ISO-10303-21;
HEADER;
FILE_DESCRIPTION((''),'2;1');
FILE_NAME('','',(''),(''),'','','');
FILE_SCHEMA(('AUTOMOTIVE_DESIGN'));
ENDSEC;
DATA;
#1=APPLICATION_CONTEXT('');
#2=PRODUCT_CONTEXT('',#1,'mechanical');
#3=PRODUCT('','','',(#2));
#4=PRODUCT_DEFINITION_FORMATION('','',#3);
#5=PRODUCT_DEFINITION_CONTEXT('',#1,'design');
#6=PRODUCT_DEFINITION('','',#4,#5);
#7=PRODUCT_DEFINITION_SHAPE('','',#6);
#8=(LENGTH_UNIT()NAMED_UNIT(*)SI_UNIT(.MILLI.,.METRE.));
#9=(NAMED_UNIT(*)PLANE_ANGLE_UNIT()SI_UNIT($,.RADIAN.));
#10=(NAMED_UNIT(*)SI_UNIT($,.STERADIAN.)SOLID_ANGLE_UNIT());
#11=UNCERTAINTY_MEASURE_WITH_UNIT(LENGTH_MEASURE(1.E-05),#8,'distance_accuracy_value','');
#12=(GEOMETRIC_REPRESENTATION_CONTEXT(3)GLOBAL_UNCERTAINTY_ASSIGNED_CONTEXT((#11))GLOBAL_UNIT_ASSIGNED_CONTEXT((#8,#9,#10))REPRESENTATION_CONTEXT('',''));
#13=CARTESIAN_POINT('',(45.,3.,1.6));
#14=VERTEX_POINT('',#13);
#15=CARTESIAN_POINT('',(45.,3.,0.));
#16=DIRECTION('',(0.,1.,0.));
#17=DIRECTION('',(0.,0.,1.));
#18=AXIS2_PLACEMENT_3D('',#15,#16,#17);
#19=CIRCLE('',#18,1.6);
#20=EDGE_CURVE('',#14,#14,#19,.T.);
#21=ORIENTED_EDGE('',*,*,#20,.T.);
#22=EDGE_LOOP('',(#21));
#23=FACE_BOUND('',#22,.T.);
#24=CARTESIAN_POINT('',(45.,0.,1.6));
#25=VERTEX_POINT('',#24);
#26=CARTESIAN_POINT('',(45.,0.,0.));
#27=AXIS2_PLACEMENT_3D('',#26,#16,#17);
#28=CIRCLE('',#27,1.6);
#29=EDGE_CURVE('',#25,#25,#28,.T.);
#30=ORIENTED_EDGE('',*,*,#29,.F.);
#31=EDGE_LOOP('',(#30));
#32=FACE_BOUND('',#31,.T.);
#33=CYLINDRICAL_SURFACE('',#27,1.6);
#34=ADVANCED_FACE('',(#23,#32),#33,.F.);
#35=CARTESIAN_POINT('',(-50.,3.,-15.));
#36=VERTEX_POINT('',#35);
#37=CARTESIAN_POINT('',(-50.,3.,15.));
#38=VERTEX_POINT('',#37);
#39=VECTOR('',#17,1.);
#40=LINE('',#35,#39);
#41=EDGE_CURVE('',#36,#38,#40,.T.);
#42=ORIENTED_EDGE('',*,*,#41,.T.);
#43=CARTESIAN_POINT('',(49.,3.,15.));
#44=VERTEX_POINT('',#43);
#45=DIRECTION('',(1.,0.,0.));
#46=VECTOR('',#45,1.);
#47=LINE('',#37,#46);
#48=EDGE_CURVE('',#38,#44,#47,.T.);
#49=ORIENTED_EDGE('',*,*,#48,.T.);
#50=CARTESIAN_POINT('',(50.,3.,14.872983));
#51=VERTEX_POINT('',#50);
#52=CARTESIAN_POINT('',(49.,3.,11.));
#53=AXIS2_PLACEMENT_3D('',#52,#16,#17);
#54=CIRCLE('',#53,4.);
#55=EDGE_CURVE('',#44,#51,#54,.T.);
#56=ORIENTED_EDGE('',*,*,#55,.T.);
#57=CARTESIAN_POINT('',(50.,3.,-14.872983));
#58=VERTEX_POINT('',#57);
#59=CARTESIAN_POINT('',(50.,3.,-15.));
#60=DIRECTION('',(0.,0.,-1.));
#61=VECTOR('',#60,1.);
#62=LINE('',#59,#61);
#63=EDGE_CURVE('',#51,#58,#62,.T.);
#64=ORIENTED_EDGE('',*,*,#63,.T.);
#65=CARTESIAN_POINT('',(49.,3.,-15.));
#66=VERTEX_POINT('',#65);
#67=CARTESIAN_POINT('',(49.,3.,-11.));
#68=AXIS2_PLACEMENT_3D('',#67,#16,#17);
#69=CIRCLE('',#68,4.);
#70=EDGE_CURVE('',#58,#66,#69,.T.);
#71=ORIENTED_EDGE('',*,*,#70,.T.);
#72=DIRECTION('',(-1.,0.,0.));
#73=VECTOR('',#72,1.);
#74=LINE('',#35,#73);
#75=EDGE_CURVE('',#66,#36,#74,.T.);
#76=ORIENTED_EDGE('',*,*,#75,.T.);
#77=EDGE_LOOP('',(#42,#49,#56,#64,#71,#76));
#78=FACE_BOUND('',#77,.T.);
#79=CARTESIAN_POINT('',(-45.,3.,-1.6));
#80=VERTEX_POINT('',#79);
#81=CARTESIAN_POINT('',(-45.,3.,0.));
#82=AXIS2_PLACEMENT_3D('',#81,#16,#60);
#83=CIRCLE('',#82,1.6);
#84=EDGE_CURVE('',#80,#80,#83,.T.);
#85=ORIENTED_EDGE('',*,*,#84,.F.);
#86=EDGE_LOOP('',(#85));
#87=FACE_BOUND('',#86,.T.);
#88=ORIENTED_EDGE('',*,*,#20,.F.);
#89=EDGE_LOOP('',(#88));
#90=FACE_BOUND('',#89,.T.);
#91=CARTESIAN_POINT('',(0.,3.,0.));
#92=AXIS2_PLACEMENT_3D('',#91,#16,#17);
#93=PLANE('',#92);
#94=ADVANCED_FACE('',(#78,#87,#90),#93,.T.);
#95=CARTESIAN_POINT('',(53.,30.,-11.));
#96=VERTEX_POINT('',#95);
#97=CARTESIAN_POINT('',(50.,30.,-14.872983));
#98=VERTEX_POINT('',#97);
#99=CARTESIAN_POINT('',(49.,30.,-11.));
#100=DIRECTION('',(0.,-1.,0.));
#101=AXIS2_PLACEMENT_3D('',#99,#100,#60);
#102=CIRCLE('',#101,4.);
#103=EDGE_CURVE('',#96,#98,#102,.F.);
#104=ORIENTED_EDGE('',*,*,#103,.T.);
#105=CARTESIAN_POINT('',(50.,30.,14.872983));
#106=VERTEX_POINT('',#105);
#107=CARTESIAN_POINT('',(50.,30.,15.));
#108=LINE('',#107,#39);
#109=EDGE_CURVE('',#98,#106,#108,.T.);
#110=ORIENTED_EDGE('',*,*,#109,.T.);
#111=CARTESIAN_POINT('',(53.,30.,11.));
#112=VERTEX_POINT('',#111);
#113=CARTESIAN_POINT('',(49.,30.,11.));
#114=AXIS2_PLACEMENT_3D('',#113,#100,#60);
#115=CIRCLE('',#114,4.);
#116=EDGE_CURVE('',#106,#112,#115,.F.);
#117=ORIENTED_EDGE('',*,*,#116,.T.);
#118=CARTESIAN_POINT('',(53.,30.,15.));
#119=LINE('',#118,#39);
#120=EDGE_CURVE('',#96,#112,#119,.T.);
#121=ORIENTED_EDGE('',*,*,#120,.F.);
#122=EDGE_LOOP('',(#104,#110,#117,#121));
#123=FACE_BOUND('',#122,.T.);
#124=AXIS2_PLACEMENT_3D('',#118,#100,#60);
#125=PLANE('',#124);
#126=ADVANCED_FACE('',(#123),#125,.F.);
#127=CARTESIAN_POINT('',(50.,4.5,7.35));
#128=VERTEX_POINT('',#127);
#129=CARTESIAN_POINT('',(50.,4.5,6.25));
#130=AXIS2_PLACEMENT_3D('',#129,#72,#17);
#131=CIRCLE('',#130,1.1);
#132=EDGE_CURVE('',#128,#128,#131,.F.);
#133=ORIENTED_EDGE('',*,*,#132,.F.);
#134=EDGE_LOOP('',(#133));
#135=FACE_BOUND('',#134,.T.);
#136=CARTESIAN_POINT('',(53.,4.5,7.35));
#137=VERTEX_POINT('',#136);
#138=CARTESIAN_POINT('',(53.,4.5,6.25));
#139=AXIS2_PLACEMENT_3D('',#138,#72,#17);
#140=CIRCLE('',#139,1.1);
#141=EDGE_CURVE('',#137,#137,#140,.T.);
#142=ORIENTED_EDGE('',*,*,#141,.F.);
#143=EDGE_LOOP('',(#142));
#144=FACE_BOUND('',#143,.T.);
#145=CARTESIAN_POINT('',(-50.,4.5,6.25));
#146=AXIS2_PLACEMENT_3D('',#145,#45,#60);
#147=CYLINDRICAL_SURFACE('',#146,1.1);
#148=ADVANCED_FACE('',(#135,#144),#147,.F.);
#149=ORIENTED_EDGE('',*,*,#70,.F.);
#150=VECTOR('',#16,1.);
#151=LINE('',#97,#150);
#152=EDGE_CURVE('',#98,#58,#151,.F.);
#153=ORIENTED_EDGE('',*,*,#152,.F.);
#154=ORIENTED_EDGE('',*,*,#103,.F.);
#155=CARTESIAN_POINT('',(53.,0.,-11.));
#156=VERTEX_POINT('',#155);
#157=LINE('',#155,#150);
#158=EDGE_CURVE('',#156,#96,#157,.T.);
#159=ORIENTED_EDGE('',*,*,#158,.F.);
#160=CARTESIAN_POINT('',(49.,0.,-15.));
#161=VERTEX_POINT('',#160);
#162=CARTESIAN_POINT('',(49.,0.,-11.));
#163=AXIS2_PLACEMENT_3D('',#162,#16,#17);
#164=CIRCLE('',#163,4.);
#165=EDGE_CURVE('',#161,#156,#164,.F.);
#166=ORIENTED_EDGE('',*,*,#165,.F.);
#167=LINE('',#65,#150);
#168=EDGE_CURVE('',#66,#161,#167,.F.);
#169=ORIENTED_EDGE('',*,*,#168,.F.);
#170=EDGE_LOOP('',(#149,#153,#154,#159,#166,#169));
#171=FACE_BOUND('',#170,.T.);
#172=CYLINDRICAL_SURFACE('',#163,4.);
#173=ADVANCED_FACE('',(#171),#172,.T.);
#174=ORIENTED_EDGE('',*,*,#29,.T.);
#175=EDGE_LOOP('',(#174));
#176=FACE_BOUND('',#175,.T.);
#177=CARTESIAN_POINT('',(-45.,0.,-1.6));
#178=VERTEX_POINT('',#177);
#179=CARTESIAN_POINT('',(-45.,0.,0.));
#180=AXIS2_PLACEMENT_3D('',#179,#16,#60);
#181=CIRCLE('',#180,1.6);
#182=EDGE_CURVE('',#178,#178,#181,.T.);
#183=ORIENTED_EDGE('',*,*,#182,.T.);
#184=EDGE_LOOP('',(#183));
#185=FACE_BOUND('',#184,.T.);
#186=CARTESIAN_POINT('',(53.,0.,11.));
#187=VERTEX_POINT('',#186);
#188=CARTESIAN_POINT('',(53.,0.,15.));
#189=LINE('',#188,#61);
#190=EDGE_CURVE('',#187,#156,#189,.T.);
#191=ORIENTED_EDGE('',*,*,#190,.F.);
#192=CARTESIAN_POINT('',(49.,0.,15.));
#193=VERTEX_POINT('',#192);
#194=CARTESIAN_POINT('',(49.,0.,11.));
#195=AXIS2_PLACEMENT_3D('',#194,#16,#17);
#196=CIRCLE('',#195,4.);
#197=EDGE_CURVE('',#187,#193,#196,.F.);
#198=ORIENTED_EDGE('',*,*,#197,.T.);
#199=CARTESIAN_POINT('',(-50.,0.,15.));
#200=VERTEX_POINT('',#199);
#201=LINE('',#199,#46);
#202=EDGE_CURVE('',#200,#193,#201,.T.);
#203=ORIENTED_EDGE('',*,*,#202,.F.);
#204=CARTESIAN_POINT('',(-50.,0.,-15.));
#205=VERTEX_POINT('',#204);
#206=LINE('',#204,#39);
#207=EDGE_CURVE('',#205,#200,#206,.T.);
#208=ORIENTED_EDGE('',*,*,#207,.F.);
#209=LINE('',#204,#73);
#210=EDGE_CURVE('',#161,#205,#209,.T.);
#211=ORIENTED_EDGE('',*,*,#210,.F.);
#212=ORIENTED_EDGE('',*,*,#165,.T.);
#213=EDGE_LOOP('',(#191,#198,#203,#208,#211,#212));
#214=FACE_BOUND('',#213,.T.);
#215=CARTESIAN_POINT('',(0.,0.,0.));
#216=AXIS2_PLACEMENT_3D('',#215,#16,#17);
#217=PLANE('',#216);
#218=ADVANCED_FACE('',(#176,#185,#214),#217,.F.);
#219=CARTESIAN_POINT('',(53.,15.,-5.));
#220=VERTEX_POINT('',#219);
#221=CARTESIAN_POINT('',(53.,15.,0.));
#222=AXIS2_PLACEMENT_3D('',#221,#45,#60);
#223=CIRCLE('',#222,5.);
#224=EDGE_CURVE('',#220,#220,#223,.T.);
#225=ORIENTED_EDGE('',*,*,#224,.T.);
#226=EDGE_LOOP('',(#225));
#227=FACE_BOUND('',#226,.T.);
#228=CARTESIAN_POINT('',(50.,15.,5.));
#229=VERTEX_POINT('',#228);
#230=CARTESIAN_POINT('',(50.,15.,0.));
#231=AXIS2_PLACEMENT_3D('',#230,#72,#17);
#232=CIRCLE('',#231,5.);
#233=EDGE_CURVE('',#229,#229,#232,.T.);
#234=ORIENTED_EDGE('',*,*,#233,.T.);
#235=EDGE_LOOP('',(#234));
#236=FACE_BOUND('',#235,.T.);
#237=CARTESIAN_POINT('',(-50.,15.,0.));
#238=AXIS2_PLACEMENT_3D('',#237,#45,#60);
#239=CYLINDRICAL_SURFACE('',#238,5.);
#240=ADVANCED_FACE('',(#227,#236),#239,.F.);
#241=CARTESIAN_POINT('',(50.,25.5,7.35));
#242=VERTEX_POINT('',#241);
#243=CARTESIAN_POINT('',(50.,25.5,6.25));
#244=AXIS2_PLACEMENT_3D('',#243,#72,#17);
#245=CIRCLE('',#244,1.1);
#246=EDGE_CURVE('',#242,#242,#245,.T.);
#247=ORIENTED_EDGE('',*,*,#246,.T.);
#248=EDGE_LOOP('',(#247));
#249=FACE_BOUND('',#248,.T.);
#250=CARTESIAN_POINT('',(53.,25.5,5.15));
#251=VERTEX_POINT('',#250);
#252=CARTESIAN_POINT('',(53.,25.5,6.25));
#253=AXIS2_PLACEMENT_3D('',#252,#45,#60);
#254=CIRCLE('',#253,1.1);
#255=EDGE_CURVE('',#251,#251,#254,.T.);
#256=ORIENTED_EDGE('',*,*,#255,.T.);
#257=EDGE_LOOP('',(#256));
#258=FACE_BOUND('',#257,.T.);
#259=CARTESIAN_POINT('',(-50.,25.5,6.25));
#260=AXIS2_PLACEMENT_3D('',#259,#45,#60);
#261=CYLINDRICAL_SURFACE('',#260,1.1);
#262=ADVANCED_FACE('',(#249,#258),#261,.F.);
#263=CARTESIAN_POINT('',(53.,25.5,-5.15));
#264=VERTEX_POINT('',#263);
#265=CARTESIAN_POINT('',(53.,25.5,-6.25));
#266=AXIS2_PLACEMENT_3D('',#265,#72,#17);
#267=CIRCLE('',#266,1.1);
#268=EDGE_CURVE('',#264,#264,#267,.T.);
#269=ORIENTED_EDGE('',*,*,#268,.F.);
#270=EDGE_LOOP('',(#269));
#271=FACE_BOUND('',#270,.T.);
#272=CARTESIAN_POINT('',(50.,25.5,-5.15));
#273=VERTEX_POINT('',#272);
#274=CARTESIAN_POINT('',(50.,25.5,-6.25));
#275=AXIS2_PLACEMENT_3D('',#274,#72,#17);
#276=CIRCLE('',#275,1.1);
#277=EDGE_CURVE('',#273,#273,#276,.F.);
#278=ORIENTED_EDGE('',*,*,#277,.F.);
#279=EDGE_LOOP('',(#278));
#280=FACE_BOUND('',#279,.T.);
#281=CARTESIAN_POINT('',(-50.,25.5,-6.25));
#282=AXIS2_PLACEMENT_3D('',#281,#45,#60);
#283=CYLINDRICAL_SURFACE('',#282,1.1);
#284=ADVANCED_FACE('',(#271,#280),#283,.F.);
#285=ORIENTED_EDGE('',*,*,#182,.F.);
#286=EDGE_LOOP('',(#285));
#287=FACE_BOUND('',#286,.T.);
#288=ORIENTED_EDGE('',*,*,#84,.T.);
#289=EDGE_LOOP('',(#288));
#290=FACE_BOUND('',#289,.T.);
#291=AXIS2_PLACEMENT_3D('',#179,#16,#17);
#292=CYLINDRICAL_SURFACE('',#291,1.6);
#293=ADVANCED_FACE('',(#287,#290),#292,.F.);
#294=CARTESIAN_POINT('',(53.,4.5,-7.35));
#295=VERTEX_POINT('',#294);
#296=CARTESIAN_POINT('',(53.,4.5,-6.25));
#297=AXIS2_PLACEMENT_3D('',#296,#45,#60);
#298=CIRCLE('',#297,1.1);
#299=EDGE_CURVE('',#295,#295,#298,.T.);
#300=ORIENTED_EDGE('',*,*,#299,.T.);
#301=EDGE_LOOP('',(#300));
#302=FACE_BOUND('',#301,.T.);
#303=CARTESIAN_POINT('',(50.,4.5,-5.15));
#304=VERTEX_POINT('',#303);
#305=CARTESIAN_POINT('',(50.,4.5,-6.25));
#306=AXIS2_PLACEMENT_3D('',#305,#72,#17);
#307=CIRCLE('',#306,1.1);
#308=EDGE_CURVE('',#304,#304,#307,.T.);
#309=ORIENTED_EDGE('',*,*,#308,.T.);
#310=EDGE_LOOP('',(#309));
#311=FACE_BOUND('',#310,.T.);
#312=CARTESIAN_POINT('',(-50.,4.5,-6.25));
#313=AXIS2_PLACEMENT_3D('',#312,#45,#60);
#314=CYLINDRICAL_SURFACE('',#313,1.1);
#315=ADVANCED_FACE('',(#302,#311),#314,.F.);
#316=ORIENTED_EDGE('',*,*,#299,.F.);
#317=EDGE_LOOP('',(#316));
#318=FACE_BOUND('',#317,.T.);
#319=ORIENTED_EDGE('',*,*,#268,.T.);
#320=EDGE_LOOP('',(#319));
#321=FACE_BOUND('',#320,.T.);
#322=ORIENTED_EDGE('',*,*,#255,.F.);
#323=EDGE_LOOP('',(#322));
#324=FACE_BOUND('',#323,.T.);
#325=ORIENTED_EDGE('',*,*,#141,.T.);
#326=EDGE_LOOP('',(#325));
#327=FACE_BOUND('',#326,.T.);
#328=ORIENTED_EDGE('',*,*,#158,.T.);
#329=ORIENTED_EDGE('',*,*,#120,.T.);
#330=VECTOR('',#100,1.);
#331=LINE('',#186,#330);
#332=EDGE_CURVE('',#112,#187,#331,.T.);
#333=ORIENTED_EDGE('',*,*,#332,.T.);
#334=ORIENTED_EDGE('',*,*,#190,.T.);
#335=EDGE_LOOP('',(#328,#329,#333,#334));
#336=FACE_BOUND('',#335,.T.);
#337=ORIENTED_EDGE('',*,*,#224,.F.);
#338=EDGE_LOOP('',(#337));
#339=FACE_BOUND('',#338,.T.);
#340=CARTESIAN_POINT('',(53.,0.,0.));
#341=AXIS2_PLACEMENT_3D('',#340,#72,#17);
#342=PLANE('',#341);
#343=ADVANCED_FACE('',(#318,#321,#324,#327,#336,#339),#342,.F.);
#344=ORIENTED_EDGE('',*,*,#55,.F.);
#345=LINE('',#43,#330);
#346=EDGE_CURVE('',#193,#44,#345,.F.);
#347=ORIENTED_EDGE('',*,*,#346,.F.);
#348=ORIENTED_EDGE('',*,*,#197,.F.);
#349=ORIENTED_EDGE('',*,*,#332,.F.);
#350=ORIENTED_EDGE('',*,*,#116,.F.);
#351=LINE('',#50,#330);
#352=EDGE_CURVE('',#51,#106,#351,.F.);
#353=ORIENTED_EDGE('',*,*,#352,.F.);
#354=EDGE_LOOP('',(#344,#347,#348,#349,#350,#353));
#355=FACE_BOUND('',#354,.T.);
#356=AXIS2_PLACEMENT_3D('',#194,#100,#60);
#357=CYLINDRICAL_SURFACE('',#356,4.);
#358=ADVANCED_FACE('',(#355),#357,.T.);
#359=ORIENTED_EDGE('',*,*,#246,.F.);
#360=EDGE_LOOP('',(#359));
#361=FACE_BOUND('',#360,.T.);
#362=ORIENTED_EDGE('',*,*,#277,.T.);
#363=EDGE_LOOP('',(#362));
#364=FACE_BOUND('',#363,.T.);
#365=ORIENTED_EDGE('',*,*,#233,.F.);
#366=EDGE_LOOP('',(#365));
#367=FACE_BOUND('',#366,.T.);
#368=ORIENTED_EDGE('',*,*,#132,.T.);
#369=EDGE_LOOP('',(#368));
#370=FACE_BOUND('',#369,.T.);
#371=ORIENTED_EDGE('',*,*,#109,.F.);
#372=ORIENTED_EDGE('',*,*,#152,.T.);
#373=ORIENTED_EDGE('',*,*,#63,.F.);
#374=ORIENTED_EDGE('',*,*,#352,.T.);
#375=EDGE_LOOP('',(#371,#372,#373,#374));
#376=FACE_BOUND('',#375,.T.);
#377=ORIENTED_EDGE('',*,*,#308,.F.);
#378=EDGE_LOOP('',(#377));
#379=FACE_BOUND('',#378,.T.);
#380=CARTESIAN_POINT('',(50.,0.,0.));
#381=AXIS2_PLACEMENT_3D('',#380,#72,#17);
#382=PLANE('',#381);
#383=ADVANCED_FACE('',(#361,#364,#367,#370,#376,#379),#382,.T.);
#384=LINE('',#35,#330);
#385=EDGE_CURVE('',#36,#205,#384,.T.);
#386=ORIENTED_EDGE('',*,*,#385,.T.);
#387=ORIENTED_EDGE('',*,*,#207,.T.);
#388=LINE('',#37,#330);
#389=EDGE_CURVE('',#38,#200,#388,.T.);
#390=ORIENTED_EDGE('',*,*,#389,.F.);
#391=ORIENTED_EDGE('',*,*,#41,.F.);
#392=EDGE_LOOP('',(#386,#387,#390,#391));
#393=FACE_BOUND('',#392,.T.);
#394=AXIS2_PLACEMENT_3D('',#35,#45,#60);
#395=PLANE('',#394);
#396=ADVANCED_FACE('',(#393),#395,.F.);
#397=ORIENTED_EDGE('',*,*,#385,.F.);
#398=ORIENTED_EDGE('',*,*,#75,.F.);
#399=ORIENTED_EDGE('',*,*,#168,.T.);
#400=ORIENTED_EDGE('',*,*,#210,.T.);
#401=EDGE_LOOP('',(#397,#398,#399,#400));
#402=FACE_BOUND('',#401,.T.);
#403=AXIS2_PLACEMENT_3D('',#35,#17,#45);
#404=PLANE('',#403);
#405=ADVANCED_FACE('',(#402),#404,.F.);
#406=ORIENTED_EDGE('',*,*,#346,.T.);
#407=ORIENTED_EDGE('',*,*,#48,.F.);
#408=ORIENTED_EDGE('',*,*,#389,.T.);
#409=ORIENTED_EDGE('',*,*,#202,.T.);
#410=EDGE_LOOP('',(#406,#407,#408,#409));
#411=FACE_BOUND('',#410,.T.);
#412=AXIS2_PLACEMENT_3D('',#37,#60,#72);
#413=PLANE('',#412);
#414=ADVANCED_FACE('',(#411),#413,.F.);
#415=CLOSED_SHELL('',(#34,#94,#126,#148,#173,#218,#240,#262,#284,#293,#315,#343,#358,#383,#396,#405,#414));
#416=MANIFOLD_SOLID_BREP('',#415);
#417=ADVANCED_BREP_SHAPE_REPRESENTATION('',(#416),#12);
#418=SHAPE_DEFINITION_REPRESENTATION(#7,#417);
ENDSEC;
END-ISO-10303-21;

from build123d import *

# Parameters (mm, degrees)
SKETCH1_W           = 100
SKETCH1_H           = 30
BOSS_EXTRUDE1_DEPTH = 3
SKETCH2_R           = 1.6
CUT_EXTRUDE1_DEPTH  = 53.28766585
SKETCH5_W           = 30
SKETCH5_H           = 30
BOSS_EXTRUDE2_DEPTH = 3
SKETCH6_R           = 1.1
CUT_EXTRUDE2_DEPTH  = 109.323589305
SKETCH7_R           = 5
CUT_EXTRUDE3_DEPTH  = 109.323589305
FILLET1_R           = 4


with BuildPart() as part:
    # Sketch1 → Boss-Extrude1 (new body)
    with BuildSketch(Plane(origin=(0, 0, 0), x_dir=(1, 0, 0), z_dir=(0, 1, 0))):
        Rectangle(SKETCH1_W, SKETCH1_H)
    extrude(amount=BOSS_EXTRUDE1_DEPTH)

    # Sketch2 → Cut-Extrude1 (cut, through all)
    with BuildSketch(Plane(origin=(0, 3, 0), x_dir=(1, 0, 0), z_dir=(0, 1, 0))):
        with Locations(Location((45, 0, 0), (0, 0, 270))):
            Circle(SKETCH2_R)
        with Locations(Location((-45, 0, 0), (0, 0, 90))):
            Circle(SKETCH2_R)
    extrude(amount=-CUT_EXTRUDE1_DEPTH, mode=Mode.SUBTRACT)

    # Sketch5 → Boss-Extrude2 (add)
    with BuildSketch(Plane(origin=(50, 0, 0), x_dir=(0, 0, -1), z_dir=(1, 0, 0))):
        with Locations((0, 15)):
            Rectangle(SKETCH5_W, SKETCH5_H)
    extrude(amount=BOSS_EXTRUDE2_DEPTH)

    # Sketch6 → Cut-Extrude2 (cut, through all)
    with BuildSketch(Plane(origin=(53, 0, 0), x_dir=(0, 0, -1), z_dir=(1, 0, 0))):
        with Locations((-6.25, 25.5)):
            Circle(SKETCH6_R)
        with Locations(Location((6.25, 25.5, 0), (0, 0, 180))):
            Circle(SKETCH6_R)
        with Locations((6.25, 4.5)):
            Circle(SKETCH6_R)
        with Locations(Location((-6.25, 4.5, 0), (0, 0, 180))):
            Circle(SKETCH6_R)
    extrude(amount=-CUT_EXTRUDE2_DEPTH, mode=Mode.SUBTRACT)

    # Sketch7 → Cut-Extrude3 (cut, through all)
    with BuildSketch(Plane(origin=(53, 0, 0), x_dir=(0, 0, -1), z_dir=(1, 0, 0))):
        with Locations((0, 15)):
            Circle(SKETCH7_R)
    extrude(amount=-CUT_EXTRUDE3_DEPTH, mode=Mode.SUBTRACT)

    # Fillet1
    fillet1_edges = [part.edges().sort_by_distance(p)[0] for p in [
        (53, 15, -15),
        (53, 15, 15),
    ]]
    fillet(fillet1_edges, radius=FILLET1_R)


solid = part.part
